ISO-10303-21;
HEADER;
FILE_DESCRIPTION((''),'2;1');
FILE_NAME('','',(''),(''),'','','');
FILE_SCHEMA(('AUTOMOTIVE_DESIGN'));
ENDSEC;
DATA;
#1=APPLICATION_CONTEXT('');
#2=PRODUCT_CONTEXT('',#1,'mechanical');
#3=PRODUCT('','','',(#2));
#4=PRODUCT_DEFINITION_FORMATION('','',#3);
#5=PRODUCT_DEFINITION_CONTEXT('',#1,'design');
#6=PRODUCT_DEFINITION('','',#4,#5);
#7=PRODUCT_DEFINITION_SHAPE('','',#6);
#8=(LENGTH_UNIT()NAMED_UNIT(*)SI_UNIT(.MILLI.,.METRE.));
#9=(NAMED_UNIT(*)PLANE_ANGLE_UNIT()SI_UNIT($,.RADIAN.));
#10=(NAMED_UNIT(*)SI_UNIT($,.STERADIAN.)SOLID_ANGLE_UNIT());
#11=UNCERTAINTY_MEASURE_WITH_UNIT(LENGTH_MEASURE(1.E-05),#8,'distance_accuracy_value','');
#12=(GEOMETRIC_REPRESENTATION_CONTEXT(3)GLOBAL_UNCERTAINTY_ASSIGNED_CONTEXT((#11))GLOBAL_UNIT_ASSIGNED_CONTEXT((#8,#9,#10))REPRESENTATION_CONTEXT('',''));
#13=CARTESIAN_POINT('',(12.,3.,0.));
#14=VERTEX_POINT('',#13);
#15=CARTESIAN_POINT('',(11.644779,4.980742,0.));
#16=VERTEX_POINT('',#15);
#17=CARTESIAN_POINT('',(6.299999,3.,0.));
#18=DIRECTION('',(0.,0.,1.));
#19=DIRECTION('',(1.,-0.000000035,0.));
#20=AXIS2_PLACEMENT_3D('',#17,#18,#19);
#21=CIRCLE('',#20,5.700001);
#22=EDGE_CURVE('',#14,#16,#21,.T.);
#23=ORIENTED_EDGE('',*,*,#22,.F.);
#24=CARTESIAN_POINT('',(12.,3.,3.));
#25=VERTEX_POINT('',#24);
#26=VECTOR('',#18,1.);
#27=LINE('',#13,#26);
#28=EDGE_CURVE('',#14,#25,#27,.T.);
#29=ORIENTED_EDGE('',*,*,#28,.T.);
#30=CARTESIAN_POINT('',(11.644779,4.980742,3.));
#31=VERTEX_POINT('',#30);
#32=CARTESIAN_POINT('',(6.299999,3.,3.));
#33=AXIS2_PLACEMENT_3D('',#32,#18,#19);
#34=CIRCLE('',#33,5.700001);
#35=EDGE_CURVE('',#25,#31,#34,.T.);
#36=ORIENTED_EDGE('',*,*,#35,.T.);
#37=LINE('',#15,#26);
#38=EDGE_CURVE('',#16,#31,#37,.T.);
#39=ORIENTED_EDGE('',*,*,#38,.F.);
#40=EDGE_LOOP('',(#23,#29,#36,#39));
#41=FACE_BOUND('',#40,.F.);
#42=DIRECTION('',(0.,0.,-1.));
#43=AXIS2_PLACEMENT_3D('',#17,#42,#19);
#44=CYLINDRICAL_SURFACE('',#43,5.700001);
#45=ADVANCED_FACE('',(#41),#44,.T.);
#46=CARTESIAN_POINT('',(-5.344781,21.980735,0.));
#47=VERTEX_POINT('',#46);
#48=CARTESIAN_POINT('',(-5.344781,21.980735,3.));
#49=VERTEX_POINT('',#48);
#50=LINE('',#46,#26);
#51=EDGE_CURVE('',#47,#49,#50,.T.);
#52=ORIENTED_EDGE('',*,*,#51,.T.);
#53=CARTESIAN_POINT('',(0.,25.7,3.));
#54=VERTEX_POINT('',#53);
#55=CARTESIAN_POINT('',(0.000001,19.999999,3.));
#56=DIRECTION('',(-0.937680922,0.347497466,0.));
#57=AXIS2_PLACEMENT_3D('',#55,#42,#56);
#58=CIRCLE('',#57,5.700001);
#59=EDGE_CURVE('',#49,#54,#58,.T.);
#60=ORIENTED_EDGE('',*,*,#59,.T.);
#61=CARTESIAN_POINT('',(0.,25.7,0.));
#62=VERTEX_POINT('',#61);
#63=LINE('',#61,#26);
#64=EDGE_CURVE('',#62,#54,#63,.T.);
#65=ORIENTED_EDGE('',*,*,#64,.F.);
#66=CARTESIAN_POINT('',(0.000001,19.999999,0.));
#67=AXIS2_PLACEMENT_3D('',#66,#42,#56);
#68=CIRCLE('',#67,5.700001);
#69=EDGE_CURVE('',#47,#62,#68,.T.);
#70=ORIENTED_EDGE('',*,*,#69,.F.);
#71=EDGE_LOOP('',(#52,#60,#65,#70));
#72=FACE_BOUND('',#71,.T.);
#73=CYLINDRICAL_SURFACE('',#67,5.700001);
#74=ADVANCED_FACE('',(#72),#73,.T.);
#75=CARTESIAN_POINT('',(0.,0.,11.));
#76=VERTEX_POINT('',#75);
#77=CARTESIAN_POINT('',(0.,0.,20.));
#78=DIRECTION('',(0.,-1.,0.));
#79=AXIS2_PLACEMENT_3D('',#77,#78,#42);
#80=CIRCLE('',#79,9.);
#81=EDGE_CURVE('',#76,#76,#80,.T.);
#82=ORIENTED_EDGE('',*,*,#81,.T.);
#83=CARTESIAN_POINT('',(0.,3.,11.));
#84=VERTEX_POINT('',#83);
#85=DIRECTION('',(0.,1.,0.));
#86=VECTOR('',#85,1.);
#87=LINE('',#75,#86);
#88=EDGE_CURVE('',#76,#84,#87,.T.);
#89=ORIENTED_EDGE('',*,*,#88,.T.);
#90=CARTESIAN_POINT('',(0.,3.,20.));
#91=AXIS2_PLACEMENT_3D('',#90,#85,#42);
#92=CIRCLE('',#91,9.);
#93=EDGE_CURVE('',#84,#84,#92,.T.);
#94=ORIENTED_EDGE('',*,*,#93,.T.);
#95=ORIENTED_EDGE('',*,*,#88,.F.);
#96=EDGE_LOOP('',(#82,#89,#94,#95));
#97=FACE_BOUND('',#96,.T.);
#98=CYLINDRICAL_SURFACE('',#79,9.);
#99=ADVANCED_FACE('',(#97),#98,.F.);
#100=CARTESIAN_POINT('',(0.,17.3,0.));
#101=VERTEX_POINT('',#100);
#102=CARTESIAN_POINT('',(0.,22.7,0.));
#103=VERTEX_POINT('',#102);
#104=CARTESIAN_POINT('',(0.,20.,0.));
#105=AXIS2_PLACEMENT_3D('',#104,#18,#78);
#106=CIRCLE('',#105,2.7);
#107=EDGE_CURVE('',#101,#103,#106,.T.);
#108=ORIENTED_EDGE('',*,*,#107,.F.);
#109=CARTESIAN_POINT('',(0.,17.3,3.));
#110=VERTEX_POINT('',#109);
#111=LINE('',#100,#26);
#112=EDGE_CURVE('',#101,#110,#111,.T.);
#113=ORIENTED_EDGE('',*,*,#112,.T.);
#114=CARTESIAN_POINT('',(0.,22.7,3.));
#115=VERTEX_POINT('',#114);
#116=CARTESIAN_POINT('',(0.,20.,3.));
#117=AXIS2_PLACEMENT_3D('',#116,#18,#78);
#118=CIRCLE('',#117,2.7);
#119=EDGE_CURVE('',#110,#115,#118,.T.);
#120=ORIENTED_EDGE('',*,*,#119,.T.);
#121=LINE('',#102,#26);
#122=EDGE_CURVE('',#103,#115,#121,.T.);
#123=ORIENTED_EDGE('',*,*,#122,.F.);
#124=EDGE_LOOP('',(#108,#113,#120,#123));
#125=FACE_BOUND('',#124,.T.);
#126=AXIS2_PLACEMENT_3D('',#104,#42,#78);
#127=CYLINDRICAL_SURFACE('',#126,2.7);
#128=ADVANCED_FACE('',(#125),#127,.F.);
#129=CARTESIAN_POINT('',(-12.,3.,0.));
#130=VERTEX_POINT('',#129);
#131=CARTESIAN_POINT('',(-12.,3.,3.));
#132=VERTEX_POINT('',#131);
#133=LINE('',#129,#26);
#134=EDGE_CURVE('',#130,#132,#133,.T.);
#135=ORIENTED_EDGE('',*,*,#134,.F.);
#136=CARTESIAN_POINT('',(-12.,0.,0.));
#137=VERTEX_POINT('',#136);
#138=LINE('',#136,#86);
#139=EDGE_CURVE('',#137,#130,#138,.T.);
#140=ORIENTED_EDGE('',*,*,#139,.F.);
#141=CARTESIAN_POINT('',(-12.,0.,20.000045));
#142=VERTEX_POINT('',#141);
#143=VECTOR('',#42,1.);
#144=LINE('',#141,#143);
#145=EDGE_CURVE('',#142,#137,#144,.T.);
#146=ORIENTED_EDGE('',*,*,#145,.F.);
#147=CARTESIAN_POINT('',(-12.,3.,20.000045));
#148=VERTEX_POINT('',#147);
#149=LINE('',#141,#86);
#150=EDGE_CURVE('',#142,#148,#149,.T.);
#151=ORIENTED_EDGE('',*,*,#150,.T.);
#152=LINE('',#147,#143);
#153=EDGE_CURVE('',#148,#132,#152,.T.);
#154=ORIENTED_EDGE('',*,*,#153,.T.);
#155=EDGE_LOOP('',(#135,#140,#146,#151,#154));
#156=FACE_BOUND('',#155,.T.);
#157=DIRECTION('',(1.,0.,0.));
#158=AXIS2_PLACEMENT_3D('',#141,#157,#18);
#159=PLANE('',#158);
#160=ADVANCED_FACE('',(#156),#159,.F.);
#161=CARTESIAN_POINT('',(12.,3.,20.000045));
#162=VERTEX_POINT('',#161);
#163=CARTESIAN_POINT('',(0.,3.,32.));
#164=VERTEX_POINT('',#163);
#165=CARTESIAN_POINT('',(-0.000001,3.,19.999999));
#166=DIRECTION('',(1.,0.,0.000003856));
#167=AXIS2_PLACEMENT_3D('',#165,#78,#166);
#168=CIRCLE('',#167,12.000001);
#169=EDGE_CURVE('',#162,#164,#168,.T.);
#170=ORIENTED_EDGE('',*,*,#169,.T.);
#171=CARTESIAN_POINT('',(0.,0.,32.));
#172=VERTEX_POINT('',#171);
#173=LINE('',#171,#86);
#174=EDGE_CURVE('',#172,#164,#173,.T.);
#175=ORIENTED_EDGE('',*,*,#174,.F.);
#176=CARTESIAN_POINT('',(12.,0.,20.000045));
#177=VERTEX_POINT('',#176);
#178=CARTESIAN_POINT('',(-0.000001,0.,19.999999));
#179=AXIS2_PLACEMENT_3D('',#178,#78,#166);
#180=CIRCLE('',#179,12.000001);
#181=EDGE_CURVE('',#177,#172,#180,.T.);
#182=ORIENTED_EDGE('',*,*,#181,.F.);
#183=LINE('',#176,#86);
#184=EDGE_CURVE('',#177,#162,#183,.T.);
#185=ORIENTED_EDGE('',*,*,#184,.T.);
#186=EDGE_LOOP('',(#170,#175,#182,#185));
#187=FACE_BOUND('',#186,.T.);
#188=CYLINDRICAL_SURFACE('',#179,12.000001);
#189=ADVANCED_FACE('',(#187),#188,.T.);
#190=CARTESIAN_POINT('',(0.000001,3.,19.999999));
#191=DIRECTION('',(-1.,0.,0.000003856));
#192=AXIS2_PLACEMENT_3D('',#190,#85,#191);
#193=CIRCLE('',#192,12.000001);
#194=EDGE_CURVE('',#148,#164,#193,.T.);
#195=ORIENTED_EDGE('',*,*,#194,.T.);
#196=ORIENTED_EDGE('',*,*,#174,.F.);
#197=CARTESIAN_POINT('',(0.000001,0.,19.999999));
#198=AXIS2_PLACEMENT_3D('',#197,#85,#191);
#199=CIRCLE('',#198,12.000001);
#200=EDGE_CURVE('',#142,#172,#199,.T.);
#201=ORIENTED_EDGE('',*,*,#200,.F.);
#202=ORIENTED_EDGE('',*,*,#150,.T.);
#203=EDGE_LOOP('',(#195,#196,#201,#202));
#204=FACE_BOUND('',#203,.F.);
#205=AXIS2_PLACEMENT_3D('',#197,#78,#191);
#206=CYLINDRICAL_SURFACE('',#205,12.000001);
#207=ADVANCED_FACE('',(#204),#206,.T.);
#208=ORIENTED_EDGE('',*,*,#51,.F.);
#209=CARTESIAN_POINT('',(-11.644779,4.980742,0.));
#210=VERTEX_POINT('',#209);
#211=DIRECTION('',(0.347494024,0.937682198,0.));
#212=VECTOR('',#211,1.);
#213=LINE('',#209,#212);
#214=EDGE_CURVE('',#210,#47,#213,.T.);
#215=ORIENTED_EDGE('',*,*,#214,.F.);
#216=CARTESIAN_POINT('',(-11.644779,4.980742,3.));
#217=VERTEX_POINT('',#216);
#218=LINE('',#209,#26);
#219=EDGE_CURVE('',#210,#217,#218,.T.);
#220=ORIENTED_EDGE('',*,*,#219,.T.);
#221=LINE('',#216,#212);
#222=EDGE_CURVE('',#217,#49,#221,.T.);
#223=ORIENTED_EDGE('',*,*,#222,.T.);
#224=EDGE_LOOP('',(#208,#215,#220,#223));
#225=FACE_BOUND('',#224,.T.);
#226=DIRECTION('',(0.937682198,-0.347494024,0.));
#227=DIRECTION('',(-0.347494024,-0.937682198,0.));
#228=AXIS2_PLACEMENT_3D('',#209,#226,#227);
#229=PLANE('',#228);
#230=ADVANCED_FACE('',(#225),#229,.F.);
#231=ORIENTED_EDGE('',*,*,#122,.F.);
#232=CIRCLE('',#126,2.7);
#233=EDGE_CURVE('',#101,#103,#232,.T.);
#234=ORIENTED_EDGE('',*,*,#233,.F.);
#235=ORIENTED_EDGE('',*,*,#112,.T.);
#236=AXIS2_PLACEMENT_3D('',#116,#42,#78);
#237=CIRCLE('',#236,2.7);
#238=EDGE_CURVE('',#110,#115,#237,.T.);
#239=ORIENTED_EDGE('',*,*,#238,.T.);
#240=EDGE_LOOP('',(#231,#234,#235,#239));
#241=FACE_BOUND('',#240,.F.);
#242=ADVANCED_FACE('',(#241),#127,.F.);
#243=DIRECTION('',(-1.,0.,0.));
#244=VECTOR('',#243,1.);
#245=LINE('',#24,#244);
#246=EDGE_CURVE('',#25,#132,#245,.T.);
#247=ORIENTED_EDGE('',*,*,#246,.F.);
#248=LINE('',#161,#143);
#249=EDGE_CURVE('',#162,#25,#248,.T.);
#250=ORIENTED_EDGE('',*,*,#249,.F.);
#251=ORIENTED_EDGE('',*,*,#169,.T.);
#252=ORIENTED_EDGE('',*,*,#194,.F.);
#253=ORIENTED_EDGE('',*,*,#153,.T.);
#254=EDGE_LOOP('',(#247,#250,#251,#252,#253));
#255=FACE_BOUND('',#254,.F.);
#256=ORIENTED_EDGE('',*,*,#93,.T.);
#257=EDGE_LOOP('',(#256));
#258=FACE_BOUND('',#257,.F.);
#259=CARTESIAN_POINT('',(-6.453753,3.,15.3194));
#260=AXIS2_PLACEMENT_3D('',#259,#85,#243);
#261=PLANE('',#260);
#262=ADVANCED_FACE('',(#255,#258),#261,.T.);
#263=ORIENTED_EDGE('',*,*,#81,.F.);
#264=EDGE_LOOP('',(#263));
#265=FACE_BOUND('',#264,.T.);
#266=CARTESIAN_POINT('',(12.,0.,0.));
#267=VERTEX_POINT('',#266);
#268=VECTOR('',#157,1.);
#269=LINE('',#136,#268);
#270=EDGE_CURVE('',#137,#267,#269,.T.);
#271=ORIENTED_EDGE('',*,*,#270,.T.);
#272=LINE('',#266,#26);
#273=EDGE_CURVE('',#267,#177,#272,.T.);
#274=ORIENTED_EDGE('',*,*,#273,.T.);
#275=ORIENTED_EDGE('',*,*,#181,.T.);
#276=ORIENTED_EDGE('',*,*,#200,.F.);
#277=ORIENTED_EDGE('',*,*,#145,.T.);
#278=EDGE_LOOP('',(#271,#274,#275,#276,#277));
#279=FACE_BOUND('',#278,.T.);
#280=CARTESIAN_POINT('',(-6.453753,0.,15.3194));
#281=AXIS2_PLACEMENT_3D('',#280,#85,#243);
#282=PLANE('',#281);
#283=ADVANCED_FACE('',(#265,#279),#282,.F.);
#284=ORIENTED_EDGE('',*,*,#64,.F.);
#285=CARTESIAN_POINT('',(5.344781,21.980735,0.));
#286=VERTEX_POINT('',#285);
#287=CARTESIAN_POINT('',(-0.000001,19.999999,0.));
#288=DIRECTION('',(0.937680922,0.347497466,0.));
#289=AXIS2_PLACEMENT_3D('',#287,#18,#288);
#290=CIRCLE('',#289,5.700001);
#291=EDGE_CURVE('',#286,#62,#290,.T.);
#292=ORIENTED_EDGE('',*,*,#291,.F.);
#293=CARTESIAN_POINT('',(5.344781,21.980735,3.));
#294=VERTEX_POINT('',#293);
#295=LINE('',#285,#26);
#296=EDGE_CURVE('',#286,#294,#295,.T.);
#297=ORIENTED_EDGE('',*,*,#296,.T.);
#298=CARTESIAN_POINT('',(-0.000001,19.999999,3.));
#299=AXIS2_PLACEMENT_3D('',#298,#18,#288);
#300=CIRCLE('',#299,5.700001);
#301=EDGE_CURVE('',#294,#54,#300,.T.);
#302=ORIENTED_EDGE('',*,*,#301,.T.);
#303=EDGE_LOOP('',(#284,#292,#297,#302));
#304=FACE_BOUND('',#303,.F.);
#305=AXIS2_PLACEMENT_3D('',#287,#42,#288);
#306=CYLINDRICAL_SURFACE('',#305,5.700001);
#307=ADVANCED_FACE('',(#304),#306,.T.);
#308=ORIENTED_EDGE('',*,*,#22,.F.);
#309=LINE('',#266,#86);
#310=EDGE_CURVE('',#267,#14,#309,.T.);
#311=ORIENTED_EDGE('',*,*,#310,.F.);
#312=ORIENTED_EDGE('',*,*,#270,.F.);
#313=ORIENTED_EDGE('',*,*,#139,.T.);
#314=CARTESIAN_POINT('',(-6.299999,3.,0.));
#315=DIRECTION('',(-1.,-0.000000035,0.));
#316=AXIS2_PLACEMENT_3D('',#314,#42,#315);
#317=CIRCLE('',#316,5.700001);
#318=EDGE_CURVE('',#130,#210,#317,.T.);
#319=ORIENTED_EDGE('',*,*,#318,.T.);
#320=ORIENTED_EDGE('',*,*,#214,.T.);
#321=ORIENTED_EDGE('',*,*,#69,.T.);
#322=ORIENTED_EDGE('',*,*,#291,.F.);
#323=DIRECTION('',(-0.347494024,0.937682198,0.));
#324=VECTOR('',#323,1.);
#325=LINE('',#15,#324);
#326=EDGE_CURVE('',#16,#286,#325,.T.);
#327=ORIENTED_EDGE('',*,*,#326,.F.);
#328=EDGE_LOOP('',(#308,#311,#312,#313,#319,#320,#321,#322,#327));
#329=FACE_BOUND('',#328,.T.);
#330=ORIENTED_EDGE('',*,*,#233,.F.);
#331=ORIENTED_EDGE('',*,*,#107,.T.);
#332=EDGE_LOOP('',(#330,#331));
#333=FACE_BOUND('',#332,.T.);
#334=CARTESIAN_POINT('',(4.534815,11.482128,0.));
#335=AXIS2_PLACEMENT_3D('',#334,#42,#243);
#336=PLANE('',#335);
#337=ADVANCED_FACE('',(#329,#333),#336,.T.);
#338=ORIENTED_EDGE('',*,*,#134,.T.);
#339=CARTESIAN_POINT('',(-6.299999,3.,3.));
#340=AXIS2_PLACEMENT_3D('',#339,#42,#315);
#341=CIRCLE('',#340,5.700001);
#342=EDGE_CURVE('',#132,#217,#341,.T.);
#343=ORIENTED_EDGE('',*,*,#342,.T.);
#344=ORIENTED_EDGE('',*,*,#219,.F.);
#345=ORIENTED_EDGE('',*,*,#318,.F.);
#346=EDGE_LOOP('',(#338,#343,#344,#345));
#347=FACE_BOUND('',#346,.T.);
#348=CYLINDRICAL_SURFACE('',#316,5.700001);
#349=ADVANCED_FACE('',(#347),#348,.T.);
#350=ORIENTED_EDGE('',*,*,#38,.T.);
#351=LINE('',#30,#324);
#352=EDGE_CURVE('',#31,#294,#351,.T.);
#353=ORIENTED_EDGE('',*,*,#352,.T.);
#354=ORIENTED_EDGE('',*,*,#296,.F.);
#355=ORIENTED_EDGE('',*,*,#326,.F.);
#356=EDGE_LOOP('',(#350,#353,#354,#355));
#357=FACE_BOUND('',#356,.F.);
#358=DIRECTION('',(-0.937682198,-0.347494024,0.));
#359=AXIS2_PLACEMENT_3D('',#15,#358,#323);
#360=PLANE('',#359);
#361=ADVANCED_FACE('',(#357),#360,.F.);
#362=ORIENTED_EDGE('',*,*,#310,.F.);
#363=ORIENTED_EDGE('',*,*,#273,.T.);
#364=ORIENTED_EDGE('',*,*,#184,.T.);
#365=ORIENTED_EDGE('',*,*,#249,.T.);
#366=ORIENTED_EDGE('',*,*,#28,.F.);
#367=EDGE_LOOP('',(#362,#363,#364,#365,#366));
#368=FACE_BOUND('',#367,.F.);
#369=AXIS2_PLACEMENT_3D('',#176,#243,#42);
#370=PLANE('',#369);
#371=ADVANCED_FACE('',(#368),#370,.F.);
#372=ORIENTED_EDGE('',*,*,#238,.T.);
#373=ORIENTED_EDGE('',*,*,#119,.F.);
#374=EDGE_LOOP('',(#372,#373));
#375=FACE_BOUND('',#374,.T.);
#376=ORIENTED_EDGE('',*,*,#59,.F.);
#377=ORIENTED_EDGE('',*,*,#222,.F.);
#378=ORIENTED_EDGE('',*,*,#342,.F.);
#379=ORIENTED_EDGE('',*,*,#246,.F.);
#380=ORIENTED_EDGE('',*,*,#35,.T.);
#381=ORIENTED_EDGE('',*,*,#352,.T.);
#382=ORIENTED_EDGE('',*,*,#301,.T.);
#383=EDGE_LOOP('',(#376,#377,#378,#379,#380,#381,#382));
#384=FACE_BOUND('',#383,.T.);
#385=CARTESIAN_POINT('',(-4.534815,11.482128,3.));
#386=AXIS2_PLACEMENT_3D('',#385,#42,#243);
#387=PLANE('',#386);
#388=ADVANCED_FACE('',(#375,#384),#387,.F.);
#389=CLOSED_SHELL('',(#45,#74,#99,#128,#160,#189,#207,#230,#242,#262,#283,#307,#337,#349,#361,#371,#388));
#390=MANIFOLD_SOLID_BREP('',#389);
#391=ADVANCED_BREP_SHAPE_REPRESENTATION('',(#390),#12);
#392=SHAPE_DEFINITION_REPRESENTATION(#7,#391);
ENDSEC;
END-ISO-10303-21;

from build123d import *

# Parameters (mm, degrees)
PAD_DEPTH    = 3
PAD001_DEPTH = 3


with BuildPart() as part:
    # Sketch → Pad (new body)
    with BuildSketch(Plane.XY):
        with BuildLine():
            ThreePointArc((0, 17.3), (2.7, 20), (0, 22.7))
            Line((0, 25.7), (0, 22.7))
            ThreePointArc((5.344781, 21.980735), (3.255749, 24.678685), (0, 25.7))
            Line((11.644779, 4.980742), (5.344781, 21.980735))
            ThreePointArc((12, 3), (11.910492, 4.006171), (11.644779, 4.980742))
            Line((12, 0), (12, 3))
            Line((0, 0), (12, 0))
            Line((0, 17.3), (0, 0))
        make_face()
    pad = extrude(amount=PAD_DEPTH)

    # Sketch001 → Pad001 (join)
    with BuildSketch(Plane.XZ):
        with BuildLine():
            ThreePointArc((0, 11), (9, 20), (0, 29))
            Line((0, 29), (0, 32))
            ThreePointArc((12, 20.000045), (8.485265, 28.485297), (0, 32))
            Line((12, 20.000045), (12, 3))
            Line((12, 3), (12, 0))
            Line((12, 0), (0, 0))
            Line((0, 0), (0, 11))
        make_face()
    pad001 = extrude(amount=-PAD001_DEPTH)

    # Mirrored: Pad, Pad001 across Sketch V_Axis
    add(pad.mirror(Plane(origin=(0, 0, 0), x_dir=(0, 0, 1), z_dir=(1, 0, 0))))
    add(pad001.mirror(Plane(origin=(0, 0, 0), x_dir=(0, 0, 1), z_dir=(1, 0, 0))))


solid = part.part
